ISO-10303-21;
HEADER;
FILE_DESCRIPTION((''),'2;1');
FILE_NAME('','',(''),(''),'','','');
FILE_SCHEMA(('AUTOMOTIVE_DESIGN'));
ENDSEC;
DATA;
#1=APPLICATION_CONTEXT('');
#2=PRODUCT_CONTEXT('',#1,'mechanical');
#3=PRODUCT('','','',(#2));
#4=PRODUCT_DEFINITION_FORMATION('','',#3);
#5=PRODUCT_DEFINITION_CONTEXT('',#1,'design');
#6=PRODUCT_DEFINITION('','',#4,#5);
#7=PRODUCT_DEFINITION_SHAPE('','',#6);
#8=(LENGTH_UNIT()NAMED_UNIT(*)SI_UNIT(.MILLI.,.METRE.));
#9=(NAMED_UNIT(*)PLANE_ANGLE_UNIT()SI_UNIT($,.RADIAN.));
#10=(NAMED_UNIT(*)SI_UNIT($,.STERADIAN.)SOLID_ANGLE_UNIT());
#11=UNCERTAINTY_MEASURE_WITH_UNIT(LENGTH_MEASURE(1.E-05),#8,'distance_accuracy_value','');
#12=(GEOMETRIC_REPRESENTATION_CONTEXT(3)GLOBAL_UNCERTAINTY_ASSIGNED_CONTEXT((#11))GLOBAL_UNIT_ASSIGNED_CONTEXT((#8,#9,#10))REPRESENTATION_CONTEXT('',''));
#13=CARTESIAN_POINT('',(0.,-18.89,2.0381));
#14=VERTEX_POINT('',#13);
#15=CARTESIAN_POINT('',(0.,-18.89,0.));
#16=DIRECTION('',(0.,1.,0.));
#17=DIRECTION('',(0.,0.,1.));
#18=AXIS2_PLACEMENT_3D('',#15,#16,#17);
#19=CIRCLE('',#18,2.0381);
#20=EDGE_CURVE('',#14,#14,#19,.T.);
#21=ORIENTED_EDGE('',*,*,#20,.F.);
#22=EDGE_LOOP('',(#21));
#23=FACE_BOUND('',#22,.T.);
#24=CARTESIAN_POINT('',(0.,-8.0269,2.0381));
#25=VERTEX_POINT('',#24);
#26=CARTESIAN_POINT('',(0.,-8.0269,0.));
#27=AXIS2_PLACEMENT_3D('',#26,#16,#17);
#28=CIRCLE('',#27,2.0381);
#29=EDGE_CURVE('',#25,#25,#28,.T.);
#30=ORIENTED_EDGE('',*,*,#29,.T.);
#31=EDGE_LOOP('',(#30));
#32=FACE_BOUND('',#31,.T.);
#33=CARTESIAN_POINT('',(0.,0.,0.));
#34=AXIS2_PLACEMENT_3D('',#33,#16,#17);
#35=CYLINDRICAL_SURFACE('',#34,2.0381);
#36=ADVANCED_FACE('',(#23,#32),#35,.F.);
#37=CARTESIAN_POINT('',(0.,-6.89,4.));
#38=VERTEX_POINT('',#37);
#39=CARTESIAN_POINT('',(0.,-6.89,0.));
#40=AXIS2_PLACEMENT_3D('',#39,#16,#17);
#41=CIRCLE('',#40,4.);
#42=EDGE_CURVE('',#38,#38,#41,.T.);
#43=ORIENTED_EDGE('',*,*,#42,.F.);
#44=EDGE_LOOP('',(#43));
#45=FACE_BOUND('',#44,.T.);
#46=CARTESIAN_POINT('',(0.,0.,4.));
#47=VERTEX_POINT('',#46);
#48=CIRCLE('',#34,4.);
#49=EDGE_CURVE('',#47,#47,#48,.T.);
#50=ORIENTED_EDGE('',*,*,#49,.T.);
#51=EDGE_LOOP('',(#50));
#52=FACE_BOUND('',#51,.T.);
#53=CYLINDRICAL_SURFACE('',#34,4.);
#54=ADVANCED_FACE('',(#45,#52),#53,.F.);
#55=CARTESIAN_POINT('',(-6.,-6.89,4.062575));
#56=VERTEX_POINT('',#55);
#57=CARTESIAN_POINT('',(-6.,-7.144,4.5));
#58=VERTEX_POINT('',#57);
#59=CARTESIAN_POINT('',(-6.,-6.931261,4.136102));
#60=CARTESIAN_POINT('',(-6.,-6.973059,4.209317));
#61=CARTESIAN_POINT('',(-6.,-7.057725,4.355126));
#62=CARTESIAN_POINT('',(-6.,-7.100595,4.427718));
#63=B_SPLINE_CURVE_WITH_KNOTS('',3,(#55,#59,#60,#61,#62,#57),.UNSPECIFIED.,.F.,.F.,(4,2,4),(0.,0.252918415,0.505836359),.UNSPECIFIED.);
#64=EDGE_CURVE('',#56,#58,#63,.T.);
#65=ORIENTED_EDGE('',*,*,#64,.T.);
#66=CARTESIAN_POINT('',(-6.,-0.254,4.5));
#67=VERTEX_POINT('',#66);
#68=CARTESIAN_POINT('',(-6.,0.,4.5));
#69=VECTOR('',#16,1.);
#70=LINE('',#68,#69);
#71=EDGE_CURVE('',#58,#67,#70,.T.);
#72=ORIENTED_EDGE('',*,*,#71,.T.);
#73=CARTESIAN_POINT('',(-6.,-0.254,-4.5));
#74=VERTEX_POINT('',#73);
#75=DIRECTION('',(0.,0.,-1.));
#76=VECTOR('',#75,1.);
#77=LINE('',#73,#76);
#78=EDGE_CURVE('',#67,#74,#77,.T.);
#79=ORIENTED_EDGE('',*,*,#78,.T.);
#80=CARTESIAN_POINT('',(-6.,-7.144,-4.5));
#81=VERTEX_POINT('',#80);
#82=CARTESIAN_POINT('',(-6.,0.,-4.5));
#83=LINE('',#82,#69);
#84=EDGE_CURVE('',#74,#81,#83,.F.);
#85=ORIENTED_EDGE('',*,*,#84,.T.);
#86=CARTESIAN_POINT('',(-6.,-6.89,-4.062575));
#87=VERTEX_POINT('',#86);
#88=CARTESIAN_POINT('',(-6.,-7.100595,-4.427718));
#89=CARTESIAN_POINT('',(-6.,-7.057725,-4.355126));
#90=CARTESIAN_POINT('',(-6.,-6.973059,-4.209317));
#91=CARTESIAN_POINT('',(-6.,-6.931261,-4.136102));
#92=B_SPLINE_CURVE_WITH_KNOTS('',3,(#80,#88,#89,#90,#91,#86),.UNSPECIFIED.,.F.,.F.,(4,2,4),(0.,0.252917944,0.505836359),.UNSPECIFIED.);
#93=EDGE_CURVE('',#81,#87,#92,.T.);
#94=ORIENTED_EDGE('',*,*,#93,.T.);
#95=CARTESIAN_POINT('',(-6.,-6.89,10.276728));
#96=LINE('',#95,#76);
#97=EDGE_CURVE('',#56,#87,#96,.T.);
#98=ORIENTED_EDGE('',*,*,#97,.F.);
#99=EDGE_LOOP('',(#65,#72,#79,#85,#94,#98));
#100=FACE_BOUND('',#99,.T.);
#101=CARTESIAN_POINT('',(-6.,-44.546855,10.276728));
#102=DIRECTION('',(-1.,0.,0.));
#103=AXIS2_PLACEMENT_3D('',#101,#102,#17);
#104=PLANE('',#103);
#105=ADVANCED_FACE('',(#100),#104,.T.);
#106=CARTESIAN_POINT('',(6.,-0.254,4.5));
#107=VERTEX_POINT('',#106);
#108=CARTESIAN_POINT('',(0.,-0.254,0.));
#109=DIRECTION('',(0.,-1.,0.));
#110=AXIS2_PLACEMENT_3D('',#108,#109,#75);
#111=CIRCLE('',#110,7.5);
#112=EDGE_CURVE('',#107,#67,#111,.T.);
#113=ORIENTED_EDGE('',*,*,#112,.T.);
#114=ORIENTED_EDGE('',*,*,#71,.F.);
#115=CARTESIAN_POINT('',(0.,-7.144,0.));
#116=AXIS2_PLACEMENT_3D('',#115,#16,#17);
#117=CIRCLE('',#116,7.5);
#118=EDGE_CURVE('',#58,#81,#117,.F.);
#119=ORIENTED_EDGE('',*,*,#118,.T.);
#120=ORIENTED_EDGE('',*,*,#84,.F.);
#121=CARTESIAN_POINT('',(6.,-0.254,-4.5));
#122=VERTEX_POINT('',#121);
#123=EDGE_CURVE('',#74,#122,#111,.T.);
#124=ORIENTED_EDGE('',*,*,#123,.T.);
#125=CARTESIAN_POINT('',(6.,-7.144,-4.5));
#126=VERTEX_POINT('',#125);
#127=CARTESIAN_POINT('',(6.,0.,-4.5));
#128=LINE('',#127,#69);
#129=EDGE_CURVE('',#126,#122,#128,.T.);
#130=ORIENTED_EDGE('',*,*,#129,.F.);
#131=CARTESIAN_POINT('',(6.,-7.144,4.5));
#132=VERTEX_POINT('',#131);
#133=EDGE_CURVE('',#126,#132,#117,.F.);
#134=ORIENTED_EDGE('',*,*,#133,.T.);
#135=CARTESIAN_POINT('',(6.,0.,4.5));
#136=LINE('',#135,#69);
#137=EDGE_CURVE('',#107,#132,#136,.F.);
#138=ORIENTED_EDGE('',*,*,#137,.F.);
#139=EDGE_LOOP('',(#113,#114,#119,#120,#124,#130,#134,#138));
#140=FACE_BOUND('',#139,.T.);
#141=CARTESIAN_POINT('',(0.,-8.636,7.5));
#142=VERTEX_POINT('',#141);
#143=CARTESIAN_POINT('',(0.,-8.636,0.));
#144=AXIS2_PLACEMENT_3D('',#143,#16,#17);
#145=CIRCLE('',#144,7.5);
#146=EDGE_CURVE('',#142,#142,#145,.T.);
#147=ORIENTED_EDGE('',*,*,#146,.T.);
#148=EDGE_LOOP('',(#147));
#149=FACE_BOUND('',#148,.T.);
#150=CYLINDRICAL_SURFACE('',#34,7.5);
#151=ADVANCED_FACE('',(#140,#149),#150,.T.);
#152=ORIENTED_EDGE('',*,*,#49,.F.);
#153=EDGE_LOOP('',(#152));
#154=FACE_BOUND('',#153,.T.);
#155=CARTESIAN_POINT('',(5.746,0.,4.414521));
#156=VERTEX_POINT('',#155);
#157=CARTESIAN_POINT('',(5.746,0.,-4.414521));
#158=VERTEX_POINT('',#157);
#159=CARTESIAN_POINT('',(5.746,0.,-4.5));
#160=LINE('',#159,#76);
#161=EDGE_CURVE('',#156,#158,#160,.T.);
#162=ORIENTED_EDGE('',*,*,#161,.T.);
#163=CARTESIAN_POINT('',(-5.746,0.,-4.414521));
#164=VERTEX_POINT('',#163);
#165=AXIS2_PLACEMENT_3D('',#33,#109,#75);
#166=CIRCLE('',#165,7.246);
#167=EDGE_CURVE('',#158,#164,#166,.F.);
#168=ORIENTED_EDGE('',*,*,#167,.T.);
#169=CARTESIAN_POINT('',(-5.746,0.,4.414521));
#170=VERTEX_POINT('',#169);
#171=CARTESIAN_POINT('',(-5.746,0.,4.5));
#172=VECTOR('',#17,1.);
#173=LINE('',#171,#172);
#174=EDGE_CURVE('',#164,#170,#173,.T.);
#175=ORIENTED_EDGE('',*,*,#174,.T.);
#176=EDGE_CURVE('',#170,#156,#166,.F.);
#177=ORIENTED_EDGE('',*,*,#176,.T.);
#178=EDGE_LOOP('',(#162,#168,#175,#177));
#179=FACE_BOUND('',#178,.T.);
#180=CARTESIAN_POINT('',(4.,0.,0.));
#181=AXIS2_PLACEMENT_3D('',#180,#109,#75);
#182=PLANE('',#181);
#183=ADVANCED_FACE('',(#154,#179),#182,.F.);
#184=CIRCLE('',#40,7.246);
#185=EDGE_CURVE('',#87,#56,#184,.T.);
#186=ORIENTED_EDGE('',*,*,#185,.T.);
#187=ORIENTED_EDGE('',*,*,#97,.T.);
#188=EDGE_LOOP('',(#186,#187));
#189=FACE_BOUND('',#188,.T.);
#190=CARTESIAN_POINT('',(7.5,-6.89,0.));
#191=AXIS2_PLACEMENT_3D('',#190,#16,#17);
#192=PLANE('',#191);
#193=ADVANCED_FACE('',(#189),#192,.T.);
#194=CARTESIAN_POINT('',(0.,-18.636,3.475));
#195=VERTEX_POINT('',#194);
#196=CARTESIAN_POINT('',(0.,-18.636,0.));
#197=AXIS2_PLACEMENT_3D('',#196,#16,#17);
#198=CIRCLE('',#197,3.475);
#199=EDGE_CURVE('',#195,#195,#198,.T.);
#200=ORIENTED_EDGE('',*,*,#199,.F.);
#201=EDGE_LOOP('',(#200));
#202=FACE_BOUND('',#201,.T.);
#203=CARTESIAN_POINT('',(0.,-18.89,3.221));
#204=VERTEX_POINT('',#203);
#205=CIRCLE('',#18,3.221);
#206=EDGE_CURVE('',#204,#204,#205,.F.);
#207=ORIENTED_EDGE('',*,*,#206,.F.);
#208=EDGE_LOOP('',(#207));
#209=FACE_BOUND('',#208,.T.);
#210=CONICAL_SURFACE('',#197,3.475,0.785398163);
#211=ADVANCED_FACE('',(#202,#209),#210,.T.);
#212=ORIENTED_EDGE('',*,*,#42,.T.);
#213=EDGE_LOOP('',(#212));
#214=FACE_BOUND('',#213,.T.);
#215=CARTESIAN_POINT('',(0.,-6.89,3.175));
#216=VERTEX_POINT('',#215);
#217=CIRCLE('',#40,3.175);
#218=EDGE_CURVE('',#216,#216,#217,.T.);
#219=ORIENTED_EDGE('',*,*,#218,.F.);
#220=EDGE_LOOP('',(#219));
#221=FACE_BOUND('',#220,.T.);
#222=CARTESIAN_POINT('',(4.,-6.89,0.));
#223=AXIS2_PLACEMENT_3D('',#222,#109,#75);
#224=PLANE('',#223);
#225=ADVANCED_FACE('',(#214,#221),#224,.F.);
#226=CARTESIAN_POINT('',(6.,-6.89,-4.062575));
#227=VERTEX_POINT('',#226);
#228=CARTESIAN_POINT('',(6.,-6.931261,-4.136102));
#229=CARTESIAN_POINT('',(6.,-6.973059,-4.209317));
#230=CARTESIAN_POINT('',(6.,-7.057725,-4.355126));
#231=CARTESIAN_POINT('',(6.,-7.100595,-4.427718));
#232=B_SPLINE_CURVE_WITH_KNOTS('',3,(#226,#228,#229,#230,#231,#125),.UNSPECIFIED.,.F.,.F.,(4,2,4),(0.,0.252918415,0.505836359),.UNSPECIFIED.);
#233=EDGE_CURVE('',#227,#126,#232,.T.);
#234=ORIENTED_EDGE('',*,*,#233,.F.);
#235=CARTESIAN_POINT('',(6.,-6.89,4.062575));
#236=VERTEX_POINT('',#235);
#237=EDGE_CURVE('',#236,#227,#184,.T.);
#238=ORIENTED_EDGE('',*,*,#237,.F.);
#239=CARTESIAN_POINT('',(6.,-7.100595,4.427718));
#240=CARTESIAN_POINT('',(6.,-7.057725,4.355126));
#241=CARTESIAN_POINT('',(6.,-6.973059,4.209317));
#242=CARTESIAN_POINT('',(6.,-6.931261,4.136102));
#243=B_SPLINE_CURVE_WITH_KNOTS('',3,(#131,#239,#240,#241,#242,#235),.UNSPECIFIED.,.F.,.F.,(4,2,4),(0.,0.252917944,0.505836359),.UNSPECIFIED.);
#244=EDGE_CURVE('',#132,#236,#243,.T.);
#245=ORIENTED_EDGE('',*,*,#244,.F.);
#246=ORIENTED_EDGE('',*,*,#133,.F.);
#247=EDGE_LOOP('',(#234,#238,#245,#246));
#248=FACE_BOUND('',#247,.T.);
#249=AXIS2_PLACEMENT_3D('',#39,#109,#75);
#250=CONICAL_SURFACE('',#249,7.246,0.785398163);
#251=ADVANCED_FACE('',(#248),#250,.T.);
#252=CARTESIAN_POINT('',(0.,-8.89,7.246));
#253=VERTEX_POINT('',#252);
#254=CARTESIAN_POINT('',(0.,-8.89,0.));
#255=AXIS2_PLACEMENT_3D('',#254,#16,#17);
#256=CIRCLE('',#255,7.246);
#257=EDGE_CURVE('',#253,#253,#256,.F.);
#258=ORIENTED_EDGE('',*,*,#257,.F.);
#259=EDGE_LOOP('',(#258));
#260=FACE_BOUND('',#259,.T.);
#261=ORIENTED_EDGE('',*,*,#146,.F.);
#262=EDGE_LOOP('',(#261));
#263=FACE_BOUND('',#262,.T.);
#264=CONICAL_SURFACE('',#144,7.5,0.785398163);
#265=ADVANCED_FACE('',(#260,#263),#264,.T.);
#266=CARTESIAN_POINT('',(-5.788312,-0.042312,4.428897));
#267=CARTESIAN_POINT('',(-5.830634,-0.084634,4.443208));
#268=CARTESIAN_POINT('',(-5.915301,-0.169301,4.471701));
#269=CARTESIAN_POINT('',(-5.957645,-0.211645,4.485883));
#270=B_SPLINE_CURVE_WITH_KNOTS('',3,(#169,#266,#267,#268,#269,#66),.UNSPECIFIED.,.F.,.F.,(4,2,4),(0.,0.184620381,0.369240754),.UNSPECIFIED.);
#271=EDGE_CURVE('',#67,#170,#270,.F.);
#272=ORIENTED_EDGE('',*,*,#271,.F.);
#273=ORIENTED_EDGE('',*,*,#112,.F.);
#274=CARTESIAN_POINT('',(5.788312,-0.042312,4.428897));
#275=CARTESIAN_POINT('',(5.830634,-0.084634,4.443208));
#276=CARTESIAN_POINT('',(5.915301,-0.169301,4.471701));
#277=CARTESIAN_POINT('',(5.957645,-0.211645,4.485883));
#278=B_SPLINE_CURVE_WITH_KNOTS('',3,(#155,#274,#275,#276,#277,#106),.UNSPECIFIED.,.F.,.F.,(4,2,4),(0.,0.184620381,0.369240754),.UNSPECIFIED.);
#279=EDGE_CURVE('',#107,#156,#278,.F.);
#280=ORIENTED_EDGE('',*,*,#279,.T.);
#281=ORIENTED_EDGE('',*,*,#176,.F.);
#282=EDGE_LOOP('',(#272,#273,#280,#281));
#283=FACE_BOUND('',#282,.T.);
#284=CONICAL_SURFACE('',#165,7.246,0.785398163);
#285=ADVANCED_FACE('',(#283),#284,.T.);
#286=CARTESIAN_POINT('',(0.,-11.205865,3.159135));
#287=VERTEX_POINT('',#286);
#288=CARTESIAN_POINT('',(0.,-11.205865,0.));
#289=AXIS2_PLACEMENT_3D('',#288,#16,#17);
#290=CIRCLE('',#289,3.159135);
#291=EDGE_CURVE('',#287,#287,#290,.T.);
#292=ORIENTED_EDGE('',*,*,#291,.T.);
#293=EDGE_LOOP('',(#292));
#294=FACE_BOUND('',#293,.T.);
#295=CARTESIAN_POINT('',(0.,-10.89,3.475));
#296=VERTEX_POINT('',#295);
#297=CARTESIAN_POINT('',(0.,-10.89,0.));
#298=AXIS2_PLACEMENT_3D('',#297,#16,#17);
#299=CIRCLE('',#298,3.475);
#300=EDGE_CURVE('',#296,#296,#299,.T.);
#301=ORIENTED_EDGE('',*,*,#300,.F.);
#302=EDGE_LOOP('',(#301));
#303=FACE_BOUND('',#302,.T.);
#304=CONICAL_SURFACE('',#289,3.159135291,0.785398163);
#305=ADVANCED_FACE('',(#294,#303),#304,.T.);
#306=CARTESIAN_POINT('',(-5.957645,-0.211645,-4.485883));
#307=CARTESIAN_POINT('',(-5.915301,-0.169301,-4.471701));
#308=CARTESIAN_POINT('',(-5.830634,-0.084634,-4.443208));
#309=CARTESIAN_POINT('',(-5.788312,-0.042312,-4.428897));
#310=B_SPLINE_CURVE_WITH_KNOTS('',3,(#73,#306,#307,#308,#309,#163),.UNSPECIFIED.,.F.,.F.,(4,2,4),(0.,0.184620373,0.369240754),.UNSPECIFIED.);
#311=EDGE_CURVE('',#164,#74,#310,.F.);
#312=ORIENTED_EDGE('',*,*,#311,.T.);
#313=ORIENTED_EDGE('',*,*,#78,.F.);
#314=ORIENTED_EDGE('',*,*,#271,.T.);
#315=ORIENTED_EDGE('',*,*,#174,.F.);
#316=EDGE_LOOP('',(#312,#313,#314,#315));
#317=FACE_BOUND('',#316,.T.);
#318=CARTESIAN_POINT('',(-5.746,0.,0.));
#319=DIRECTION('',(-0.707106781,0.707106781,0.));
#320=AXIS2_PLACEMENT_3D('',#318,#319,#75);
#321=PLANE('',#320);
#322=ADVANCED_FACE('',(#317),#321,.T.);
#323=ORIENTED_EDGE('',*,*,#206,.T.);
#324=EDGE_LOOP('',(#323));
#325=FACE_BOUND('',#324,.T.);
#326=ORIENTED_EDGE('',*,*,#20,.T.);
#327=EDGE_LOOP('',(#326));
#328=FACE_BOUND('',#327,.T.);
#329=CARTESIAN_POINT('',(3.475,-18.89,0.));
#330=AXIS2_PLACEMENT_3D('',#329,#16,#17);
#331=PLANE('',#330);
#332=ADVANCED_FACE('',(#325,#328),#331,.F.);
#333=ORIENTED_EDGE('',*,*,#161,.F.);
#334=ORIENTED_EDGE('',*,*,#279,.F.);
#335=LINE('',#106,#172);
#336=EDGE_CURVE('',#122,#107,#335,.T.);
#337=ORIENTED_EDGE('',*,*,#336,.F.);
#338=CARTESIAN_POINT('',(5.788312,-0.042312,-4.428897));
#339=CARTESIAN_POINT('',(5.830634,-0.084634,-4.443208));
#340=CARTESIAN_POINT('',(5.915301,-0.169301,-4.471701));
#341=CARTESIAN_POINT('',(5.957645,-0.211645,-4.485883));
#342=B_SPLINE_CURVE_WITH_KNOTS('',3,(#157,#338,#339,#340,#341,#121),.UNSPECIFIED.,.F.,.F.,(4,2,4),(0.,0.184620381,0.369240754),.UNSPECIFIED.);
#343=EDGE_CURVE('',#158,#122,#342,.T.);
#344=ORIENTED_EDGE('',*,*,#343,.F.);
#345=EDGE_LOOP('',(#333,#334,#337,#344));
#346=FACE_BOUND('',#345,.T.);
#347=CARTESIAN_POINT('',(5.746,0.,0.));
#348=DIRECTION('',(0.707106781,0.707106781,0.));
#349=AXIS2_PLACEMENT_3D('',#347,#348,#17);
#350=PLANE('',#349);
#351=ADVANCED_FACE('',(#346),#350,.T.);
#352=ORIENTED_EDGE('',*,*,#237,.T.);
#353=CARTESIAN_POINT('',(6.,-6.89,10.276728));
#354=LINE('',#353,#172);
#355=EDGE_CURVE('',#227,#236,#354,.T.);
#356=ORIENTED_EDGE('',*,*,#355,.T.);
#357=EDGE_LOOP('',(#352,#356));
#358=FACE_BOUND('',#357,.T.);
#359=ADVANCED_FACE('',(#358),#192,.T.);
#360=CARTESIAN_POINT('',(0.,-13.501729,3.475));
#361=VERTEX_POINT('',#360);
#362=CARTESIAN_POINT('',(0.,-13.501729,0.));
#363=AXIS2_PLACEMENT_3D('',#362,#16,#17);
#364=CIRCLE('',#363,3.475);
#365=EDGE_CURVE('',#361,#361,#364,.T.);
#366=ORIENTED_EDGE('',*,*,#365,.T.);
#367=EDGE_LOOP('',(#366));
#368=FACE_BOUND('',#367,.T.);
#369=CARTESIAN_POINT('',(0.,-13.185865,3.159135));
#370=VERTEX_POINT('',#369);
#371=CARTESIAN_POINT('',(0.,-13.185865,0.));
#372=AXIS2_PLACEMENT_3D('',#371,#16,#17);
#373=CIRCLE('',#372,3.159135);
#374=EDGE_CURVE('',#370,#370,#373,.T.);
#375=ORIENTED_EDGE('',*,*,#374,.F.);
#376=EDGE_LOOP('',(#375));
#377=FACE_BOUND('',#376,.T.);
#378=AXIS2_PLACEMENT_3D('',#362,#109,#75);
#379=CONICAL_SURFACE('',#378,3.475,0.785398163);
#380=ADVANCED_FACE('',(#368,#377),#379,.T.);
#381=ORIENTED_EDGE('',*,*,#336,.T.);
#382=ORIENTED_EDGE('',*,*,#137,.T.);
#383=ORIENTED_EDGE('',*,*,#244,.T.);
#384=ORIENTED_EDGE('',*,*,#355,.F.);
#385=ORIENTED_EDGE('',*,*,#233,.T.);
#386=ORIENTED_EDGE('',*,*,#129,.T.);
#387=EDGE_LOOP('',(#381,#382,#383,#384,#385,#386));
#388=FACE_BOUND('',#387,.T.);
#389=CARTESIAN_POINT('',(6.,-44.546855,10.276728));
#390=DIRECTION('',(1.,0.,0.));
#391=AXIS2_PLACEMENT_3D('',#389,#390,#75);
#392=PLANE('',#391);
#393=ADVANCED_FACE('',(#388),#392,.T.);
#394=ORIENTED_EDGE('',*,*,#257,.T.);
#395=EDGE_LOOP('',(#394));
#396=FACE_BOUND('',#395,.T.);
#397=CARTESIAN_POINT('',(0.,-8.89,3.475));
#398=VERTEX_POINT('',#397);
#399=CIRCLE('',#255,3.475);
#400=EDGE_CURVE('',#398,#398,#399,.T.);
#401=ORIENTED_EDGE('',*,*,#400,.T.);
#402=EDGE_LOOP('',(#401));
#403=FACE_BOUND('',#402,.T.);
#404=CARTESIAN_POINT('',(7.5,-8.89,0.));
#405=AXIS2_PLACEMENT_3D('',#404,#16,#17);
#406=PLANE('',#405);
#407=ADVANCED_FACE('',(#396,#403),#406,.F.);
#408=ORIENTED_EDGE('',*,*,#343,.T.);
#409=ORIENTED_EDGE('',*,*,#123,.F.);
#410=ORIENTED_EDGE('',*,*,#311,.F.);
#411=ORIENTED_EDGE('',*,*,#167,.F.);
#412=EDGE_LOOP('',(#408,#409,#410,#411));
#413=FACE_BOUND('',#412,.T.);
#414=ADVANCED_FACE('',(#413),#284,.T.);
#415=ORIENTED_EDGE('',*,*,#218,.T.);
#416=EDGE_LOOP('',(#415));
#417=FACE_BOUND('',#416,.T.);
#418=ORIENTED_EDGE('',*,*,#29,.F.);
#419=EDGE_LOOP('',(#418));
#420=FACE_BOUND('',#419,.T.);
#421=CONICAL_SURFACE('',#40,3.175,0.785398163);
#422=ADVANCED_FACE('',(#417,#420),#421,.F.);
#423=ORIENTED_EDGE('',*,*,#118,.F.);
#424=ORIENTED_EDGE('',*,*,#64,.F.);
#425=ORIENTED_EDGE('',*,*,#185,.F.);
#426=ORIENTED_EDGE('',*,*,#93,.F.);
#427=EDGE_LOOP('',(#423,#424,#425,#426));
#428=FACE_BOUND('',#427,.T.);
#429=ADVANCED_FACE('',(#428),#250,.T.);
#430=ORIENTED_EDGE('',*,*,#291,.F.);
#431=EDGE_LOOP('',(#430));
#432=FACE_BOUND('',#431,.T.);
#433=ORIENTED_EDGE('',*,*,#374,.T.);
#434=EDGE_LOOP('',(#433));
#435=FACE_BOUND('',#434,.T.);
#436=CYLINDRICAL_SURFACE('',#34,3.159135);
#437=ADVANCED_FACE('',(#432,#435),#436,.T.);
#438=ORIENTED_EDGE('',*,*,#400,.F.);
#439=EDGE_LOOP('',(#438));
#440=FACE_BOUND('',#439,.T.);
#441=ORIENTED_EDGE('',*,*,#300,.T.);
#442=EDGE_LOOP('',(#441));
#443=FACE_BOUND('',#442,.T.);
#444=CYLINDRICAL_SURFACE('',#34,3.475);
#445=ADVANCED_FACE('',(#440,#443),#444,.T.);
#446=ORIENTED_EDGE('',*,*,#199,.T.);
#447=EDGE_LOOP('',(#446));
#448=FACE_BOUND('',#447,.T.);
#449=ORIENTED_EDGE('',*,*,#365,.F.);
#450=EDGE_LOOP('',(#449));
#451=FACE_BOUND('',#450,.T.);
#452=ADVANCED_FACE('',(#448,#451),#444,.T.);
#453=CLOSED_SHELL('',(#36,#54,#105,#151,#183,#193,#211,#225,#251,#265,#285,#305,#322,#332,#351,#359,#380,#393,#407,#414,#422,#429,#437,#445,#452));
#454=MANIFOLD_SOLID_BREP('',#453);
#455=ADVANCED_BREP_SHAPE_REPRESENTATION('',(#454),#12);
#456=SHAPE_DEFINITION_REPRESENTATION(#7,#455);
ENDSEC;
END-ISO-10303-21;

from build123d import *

# Parameters (mm, degrees)
SKETCH2_W          = 20.13485227
SKETCH2_H          = 29.427861008
SKETCH2_W_2        = 12
SKETCH2_H_2        = 20.553456266
CUT_EXTRUDE1_DEPTH = 6.89
CHAMFER2_SIZE      = 0.254
CHAMFER4_SIZE      = 0.254
CHAMFER5_SIZE      = 0.254


with BuildPart() as part:
    # Sketch1 → Revolve1 (revolve)
    with BuildSketch(Plane.XY):
        Polygon((7.5, 0), (7.5, -8.89), (3.475, -8.89), (3.475, -10.89), (3.159135291, -11.205864709), (3.159135291, -13.185864709), (3.475, -13.501729418), (3.475, -18.89), (2.0381, -18.89), (2.0381, -8.0269), (3.175, -6.89), (4, -6.89), (4, 0), align=None)
    revolve(axis=Axis((0, 0, 0), (0, -1, 0)))

    # Sketch2 → Cut-Extrude1 (cut)
    with BuildSketch(Plane(origin=(0, 0, 0), x_dir=(1, 0, 0), z_dir=(0, 1, 0))):
        Rectangle(SKETCH2_W, SKETCH2_H)
        Rectangle(SKETCH2_W_2, SKETCH2_H_2, mode=Mode.SUBTRACT)
    extrude(amount=-CUT_EXTRUDE1_DEPTH, mode=Mode.SUBTRACT)

    # Chamfer2
    chamfer2_edges = [part.edges().sort_by_distance(p)[0] for p in [
        (-3.475, -18.89, 0),
        (-7.5, -8.89, 0),
    ]]
    chamfer(chamfer2_edges, length=CHAMFER2_SIZE)

    # Chamfer4
    chamfer4_edges = [part.edges().sort_by_distance(p)[0] for p in [
        (0, 0, -7.5),
        (0, 0, 7.5),
        (6, 0, 0),
        (-6, 0, 0),
    ]]
    chamfer(chamfer4_edges, length=CHAMFER4_SIZE)

    # Chamfer5
    chamfer5_edges = [part.edges().sort_by_distance(p)[0] for p in [
        (-7.5, -6.89, 0),
        (7.115124735, -6.89, 2.371708245),
    ]]
    chamfer(chamfer5_edges, length=CHAMFER5_SIZE)


solid = part.part
